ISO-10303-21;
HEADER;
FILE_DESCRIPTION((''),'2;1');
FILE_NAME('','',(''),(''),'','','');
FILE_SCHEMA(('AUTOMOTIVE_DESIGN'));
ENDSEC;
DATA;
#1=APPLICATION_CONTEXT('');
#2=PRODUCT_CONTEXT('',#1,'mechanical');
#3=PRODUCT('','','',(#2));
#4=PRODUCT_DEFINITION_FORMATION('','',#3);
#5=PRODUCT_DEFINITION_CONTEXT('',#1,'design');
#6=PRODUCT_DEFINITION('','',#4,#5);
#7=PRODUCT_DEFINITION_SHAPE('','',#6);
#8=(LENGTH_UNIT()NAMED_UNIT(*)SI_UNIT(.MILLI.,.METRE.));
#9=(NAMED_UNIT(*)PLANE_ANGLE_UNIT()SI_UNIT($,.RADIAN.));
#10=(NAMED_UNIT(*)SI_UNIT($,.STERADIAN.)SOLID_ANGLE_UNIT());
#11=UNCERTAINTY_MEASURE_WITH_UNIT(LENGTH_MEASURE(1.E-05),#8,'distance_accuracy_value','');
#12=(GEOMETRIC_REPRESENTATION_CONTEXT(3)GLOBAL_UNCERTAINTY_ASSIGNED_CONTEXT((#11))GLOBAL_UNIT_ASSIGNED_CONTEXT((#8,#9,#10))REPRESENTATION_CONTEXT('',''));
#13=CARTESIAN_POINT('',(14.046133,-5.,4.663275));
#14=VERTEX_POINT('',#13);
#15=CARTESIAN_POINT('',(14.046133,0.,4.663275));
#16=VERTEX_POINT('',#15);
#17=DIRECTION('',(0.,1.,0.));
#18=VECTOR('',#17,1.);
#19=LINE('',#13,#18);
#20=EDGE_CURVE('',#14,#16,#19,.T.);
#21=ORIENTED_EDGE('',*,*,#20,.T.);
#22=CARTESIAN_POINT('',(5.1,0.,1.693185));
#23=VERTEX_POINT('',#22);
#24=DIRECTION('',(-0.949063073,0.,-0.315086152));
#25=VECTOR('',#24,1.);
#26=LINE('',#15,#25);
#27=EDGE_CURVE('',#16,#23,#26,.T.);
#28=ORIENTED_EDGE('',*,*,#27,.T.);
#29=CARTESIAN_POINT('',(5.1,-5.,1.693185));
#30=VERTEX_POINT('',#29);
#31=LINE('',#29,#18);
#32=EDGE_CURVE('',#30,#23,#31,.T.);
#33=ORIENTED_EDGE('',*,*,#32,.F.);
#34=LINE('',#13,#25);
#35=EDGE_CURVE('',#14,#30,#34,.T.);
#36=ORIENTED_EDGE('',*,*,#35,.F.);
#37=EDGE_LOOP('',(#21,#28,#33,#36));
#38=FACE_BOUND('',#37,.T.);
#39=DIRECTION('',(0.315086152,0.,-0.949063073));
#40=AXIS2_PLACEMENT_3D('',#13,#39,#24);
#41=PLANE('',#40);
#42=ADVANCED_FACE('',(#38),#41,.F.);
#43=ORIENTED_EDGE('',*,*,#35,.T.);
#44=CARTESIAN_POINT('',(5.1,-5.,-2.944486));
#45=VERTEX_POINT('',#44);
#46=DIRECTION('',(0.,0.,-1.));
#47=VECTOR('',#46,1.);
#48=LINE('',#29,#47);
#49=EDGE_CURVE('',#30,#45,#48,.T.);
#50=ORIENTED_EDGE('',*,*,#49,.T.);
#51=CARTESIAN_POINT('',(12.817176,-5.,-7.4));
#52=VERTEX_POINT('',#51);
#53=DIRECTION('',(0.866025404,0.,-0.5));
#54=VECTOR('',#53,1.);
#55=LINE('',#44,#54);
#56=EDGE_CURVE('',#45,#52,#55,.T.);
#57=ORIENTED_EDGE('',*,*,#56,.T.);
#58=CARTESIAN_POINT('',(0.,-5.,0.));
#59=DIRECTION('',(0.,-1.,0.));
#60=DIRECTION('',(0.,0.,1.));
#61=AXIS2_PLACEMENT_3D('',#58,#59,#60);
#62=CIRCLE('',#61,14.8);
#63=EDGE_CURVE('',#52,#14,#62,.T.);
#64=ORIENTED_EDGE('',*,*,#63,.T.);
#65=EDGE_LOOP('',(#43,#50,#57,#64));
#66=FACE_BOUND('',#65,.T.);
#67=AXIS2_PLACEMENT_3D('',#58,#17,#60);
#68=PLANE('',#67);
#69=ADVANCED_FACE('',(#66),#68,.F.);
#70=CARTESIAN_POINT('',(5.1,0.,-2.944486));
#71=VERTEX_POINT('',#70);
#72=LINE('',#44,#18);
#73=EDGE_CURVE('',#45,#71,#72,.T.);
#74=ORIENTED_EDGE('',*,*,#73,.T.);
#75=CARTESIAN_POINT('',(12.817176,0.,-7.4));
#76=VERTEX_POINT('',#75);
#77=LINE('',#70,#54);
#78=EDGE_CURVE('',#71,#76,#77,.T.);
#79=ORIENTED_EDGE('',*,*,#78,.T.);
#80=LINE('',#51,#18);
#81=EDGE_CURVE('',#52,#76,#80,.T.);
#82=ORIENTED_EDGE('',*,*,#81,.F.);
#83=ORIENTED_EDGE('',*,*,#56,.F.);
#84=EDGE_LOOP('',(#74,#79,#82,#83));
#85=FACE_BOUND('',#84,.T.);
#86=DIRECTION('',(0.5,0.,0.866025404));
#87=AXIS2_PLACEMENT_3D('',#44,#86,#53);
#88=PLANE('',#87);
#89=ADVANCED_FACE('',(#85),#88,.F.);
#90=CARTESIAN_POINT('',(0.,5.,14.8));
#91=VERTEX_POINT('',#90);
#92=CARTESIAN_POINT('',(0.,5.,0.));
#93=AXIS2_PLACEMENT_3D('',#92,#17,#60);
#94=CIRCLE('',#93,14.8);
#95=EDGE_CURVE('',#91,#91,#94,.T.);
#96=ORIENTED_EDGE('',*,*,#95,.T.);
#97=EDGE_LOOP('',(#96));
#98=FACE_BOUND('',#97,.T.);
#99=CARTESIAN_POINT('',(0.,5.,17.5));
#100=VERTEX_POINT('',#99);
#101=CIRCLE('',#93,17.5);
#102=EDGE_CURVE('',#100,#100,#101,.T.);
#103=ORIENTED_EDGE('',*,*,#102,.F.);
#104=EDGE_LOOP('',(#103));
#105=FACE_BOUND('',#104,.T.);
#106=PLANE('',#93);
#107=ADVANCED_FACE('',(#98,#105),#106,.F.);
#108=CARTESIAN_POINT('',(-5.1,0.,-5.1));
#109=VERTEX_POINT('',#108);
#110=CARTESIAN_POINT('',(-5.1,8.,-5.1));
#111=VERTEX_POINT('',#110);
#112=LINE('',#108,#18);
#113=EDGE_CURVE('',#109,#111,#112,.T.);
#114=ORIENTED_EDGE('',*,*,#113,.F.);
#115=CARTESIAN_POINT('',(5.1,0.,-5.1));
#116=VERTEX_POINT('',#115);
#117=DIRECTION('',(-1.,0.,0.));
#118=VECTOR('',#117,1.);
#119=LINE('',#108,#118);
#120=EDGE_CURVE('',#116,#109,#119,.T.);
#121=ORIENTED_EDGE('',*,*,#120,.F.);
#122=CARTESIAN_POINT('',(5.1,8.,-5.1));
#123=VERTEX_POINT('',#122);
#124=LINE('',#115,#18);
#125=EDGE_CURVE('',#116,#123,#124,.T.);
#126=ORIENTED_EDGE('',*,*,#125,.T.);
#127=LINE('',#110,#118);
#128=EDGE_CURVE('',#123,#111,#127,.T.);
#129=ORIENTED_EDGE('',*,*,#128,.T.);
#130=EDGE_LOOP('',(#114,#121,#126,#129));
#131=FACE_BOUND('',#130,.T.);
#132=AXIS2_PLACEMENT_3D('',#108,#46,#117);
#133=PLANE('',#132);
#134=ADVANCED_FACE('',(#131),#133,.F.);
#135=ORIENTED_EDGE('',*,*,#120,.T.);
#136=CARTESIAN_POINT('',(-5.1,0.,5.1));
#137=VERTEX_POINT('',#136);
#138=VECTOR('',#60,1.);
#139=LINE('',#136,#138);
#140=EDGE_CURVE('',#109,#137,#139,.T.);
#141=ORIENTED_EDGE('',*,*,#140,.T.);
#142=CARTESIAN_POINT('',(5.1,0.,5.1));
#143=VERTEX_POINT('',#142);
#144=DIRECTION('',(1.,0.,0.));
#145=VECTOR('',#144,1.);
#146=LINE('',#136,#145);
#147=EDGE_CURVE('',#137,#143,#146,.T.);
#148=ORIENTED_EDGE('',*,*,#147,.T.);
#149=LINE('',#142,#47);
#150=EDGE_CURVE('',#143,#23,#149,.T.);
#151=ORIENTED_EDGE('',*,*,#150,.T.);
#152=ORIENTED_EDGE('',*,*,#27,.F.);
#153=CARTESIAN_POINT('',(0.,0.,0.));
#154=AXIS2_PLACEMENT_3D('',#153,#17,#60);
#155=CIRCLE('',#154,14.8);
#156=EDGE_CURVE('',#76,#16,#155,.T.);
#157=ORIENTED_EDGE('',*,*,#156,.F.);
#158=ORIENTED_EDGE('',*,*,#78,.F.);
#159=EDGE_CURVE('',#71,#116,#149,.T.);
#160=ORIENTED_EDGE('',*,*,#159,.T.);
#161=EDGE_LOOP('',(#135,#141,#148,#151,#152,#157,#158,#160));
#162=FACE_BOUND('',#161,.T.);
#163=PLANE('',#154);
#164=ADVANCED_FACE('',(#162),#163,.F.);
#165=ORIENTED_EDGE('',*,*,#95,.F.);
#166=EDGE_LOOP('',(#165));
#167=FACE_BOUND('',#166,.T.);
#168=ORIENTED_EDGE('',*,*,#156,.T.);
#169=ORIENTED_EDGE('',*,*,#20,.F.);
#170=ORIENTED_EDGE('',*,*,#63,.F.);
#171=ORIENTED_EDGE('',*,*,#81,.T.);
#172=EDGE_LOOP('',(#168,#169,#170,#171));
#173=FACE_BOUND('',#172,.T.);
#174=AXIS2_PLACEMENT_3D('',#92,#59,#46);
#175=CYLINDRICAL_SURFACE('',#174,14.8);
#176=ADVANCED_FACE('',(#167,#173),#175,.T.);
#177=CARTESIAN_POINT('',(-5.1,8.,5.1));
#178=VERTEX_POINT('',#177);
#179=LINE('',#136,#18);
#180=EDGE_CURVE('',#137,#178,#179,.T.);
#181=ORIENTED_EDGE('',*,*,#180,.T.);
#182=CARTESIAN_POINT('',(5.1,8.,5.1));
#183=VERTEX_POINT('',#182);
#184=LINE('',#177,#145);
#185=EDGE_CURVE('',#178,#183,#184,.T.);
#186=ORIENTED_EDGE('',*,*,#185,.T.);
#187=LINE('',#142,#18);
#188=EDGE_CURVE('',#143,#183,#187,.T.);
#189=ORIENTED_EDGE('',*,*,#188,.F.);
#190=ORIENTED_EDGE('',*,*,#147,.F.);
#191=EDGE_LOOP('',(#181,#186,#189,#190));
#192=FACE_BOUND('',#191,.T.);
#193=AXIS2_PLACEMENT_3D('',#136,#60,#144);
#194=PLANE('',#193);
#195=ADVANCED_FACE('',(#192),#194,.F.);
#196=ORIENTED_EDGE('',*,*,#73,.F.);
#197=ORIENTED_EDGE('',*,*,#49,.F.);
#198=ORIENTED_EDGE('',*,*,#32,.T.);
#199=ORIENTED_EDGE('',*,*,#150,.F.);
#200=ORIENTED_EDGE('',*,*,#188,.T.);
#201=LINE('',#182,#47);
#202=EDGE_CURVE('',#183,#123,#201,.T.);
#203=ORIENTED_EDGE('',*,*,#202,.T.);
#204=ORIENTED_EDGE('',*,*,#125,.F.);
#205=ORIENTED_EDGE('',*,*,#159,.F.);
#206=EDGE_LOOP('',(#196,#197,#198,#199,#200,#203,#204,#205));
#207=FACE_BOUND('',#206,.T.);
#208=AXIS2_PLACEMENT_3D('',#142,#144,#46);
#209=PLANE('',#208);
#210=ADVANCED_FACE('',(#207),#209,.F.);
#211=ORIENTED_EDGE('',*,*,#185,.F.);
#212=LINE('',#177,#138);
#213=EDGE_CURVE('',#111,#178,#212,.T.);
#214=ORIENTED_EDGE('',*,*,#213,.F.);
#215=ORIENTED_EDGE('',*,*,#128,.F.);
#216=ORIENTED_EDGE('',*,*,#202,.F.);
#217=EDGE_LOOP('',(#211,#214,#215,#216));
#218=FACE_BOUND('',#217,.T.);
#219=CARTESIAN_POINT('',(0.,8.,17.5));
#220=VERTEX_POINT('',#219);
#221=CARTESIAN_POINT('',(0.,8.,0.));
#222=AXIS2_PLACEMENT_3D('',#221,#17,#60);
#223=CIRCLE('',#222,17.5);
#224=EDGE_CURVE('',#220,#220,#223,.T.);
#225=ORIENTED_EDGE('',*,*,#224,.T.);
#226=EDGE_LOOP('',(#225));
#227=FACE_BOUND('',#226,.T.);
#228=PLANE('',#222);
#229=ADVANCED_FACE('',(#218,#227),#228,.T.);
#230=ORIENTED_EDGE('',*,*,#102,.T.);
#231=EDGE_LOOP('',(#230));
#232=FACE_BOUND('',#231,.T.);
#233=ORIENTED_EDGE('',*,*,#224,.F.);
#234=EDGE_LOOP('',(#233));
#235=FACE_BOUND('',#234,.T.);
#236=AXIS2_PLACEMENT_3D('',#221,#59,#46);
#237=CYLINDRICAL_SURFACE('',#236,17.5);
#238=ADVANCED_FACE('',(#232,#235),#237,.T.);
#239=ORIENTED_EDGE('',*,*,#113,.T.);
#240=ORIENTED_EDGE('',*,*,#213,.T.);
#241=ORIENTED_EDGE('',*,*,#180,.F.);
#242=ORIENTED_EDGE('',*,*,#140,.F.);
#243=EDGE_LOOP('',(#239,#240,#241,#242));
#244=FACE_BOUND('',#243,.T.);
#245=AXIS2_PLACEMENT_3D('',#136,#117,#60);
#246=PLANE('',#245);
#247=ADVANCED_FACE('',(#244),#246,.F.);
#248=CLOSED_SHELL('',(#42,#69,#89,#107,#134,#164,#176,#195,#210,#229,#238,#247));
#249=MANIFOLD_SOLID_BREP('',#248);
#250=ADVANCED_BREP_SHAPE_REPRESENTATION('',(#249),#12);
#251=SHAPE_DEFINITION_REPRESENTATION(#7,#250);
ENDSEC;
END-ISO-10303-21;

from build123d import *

# Parameters (mm, degrees)
SKETCH_1_R          = 14.8
EXTRUDE_1_DEPTH     = 5
SKETCH_2_R          = 17.5
EXTRUDE_2_DEPTH     = 3
SKETCH_3_W          = 10.2
SKETCH_3_H          = 10.2
CUT_EXTRUDE_1_DEPTH = 9
EXTRUDE_3_DEPTH     = 5


with BuildPart() as part:
    # Эскиз1 → Бобышка-Вытянуть1 (new body)
    with BuildSketch(Plane(origin=(0, 0, 0), x_dir=(1, 0, 0), z_dir=(0, 1, 0))):
        with Locations(Location((0, 0, 0), (0, 0, 270))):  # turned: the seam where the file's is
            Circle(SKETCH_1_R)
    extrude(amount=EXTRUDE_1_DEPTH)

    # Эскиз2 → Бобышка-Вытянуть2 (add)
    with BuildSketch(Plane(origin=(0, 5, 0), x_dir=(1, 0, 0), z_dir=(0, 1, 0))):
        with Locations(Location((0, 0, 0), (0, 0, 270))):  # turned: the seam where the file's is
            Circle(SKETCH_2_R)
    extrude(amount=EXTRUDE_2_DEPTH)

    # Эскиз3 → Вырез-Вытянуть1 (cut, through all)
    with BuildSketch(Plane(origin=(0, 8, 0), x_dir=(1, 0, 0), z_dir=(0, 1, 0))):
        Rectangle(SKETCH_3_W, SKETCH_3_H)
    extrude(amount=-CUT_EXTRUDE_1_DEPTH, mode=Mode.SUBTRACT)

    # Эскиз4 → Бобышка-Вытянуть3 (add)
    with BuildSketch(Plane.XZ):
        with BuildLine():
            Line((14.046133482, 4.663275051), (5.1, 1.693185017))
            Line((5.1, 1.693185017), (5.1, -2.944486373))
            Line((5.1, -2.944486373), (12.817175976, -7.4))
            ThreePointArc((12.817175976, -7.4), (14.723790273, -1.5), (14.046133482, 4.663275051))
        make_face()
    extrude(amount=EXTRUDE_3_DEPTH)


solid = part.part
